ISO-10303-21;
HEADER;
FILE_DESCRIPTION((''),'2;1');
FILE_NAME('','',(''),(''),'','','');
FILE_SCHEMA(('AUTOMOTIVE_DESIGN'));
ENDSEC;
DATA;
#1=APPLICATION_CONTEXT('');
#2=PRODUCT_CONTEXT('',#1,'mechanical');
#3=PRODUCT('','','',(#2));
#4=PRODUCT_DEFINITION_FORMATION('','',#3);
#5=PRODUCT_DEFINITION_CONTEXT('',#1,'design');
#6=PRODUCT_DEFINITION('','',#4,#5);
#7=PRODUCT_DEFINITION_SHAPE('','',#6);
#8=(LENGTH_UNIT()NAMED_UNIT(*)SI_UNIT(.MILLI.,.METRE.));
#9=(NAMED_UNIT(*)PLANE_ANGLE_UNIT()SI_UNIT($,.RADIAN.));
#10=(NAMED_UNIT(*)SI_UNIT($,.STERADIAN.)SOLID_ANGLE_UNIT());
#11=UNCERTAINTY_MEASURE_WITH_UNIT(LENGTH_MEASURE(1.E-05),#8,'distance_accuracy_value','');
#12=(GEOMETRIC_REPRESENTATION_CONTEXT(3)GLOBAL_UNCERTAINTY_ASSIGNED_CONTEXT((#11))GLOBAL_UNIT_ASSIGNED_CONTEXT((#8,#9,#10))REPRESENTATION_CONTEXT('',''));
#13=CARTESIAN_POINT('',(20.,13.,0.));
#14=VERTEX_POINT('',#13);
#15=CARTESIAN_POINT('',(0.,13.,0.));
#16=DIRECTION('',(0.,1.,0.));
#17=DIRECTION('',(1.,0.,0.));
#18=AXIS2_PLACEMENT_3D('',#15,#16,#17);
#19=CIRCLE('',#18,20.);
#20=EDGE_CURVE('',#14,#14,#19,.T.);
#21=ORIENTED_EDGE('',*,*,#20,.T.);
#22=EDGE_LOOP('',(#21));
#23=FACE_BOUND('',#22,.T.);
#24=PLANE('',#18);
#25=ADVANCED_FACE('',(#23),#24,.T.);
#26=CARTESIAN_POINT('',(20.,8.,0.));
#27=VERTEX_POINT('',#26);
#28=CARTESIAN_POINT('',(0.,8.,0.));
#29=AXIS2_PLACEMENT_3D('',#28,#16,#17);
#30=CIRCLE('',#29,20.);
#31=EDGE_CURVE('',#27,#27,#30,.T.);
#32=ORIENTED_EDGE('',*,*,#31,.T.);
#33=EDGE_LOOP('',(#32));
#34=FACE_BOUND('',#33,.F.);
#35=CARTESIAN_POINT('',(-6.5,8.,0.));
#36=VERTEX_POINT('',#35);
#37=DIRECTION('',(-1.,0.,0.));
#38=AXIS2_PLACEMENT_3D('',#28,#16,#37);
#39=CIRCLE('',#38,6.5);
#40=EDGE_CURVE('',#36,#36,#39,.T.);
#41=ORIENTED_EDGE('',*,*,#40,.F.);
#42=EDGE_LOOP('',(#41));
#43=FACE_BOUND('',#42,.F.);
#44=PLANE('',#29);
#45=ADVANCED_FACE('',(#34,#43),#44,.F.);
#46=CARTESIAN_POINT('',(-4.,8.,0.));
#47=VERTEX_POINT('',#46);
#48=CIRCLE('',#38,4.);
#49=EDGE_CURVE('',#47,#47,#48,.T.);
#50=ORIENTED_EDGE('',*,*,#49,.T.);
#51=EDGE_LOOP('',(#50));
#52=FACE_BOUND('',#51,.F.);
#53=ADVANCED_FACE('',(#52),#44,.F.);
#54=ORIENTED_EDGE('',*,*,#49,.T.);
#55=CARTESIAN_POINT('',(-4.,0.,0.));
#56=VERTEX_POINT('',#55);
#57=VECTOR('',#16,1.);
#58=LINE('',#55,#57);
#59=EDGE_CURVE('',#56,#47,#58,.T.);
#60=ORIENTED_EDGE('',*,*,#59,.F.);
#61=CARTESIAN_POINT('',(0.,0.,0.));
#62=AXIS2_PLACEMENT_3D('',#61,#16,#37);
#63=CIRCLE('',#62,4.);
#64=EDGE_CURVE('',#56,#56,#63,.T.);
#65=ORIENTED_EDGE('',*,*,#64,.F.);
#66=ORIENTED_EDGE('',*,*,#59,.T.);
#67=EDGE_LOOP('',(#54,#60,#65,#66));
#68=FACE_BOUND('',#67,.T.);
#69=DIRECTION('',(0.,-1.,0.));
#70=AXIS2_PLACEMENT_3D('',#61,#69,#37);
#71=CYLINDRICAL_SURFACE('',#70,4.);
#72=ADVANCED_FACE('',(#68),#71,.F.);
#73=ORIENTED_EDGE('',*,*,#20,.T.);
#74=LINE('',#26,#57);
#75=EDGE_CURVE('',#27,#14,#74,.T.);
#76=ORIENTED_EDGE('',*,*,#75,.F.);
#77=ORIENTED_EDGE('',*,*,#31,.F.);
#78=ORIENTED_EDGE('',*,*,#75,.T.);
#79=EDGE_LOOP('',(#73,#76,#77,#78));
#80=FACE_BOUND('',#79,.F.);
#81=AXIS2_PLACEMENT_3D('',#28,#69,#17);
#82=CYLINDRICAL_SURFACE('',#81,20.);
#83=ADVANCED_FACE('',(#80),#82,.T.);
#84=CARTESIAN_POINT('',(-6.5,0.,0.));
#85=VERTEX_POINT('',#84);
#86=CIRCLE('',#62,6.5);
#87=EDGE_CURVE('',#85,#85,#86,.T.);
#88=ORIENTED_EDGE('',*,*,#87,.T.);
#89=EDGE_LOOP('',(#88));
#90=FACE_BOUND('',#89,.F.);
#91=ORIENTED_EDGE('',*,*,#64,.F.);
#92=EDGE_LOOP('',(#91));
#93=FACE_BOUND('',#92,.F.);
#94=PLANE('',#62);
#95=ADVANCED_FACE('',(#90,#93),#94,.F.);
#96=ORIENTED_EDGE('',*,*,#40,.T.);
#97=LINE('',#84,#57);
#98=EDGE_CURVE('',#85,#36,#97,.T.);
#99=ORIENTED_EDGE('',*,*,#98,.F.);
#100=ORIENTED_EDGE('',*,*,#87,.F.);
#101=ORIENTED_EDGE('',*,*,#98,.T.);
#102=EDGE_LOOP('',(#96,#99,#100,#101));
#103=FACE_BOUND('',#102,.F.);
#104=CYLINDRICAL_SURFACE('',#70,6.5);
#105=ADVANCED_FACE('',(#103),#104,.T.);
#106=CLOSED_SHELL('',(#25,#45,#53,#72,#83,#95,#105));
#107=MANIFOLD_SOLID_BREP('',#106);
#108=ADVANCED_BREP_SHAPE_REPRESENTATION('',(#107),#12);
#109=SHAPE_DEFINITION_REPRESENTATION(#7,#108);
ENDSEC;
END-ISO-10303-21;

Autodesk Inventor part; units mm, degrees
ref_plane "YZ Plane" through (0, 0, 0) normal (1, 0, 0) x (0, 1, 0)
ref_plane "XZ Plane" through (0, 0, 0) normal (0, 1, 0) x (-1, 0, 0)
ref_plane "XY Plane" through (0, 0, 0) normal (0, 0, 1) x (1, 0, 0)
sketch "Sketch1" plane through (0, 0, 0) normal (0, 1, 0) x (-1, 0, 0)
  circle A0 centre (0, 0) radius 4
  circle A1 centre (0, 0) radius 6.5
  dimension "d0" = 8
  dimension "d1" = 13
extrude "Extrusion1" add sketch "Sketch1" along normal blind 8
sketch "Sketch2" plane through (0, 8, 0) normal (0, 1, 0) x (1, 0, 0)
  circle A0 centre (0, 0) radius 20
  dimension "d4" = 40
extrude "Extrusion2" add sketch "Sketch2" along normal blind 5
properties part number "Servo_horn_big"
